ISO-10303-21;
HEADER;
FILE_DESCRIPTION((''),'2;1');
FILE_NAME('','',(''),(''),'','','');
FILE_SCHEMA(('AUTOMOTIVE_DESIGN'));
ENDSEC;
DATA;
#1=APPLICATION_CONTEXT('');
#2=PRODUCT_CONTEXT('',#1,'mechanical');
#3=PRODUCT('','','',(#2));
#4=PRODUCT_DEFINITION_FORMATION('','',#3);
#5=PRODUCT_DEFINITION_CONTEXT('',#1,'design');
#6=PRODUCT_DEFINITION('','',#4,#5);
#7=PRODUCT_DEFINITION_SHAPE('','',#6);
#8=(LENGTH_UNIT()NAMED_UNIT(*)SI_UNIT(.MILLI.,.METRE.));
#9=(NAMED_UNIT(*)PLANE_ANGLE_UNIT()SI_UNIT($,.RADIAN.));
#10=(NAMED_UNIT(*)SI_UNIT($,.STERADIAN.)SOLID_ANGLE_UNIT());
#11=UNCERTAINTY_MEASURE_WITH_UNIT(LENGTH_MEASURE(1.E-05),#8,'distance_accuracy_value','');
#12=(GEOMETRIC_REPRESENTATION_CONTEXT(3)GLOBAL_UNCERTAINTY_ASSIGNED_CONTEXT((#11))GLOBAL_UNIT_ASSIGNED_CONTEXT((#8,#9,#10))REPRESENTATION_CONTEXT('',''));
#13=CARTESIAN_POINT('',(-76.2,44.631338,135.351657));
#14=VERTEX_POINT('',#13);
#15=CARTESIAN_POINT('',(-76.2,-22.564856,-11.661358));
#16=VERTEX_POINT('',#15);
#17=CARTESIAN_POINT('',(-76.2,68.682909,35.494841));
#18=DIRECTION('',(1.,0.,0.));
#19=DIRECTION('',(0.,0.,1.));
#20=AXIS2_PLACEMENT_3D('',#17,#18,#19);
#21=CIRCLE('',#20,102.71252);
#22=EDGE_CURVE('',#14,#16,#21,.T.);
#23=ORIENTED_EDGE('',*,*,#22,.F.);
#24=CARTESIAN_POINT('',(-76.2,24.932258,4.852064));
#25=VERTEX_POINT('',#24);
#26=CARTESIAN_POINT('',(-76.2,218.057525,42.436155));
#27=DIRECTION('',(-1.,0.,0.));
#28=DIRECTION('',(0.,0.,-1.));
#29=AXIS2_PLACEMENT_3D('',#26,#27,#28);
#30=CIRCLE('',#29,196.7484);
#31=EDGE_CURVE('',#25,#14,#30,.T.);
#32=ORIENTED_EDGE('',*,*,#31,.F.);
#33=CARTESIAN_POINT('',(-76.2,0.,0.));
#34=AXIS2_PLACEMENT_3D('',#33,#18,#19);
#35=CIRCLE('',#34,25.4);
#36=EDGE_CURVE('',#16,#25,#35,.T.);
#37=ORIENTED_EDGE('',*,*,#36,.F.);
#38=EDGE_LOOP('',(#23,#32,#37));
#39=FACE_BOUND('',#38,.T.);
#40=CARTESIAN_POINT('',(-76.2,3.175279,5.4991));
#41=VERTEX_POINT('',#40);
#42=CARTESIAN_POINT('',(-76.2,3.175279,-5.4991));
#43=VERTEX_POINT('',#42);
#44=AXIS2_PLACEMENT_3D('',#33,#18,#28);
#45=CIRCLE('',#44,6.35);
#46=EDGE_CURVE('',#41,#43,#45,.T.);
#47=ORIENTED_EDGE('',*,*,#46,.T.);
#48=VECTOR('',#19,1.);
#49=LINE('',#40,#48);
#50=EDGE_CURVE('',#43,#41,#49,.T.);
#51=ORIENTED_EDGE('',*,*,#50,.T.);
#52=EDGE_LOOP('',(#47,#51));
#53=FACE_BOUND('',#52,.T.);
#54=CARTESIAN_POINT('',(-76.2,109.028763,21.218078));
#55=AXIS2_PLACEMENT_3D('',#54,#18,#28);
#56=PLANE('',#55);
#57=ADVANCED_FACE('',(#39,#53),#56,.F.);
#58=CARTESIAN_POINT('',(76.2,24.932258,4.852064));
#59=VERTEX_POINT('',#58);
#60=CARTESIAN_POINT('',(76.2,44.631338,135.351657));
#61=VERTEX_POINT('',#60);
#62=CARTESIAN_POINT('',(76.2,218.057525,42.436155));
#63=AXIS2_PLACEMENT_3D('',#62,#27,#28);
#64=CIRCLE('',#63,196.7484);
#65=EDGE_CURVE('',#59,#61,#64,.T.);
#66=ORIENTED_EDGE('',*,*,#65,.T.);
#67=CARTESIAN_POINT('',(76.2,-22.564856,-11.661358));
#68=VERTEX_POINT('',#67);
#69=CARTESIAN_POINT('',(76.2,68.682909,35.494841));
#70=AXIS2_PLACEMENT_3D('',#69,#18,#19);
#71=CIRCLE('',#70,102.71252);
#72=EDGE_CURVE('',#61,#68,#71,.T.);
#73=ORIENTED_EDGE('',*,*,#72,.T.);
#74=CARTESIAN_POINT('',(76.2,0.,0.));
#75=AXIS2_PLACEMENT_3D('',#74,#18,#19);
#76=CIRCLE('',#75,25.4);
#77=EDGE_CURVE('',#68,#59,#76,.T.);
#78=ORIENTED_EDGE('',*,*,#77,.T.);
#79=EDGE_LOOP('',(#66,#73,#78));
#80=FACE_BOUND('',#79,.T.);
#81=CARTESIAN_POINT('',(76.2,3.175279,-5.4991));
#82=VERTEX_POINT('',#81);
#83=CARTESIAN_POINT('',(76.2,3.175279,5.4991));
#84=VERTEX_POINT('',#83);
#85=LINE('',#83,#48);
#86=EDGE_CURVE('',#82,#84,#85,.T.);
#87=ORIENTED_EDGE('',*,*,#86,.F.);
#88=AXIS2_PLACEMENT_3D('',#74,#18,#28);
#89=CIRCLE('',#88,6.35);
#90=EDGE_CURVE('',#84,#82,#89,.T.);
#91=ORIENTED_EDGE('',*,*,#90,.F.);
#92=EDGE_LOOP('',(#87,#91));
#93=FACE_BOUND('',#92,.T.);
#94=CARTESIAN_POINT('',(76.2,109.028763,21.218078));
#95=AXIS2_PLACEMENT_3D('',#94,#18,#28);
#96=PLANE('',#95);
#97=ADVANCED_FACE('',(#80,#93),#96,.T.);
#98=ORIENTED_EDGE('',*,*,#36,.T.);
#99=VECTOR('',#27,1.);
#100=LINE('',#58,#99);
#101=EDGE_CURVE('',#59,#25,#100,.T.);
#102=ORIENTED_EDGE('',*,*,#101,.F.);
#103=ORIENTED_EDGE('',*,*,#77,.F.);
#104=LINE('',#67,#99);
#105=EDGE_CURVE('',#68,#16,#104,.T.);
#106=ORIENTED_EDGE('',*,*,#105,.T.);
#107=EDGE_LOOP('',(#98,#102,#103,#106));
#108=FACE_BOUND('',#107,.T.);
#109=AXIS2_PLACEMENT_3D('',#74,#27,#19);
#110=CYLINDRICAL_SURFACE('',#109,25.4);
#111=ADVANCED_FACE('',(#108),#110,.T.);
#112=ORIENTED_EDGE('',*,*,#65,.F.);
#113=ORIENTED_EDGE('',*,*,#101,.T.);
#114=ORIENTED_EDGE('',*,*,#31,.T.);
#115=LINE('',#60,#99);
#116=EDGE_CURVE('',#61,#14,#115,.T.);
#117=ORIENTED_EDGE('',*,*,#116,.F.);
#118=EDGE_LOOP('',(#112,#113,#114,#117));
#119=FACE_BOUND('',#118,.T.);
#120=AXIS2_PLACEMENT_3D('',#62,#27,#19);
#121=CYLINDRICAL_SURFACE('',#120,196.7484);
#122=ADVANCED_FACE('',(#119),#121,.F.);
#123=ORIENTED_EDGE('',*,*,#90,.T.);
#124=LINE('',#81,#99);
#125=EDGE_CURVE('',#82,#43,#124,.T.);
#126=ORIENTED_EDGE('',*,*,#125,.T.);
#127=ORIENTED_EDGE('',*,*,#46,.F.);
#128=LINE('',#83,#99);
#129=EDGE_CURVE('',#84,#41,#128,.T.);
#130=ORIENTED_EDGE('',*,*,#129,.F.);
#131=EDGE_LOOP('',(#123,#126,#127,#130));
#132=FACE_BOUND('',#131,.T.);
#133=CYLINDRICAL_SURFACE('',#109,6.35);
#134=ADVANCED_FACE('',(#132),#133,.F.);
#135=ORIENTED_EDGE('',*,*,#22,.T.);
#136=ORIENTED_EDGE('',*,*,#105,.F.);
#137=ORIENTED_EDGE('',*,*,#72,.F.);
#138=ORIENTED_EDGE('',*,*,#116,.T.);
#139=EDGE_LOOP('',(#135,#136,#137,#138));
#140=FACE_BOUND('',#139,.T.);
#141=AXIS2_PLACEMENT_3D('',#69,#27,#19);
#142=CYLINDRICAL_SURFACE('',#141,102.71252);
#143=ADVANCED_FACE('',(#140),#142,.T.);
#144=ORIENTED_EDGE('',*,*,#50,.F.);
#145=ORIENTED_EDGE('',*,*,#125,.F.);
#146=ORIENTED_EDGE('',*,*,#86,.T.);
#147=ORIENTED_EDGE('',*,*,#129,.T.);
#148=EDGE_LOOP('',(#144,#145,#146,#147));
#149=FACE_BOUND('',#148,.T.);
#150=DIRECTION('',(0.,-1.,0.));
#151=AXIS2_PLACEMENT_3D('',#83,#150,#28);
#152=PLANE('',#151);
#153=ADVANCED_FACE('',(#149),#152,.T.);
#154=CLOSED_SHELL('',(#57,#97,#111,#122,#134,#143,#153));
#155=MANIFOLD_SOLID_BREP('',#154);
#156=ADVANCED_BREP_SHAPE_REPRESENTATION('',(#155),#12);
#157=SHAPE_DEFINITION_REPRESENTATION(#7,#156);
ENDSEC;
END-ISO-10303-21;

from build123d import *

# Parameters (mm, degrees)
BOSS_EXTRUDE1_DEPTH = 76.2


with BuildPart() as part:
    # Sketch1 → Boss-Extrude1 (new, symmetric)
    with BuildSketch(Plane(origin=(0, 0, 0), x_dir=(0, 0, -1), z_dir=(1, 0, 0))):
        with BuildLine():
            ThreePointArc((-4.852064404, 24.93225764), (23.991364551, 8.341128638), (11.661357948, -22.5648561))
            ThreePointArc((11.661357948, -22.5648561), (-78.193446496, -24.733850104), (-135.351657349, 44.631338202))
            ThreePointArc((-135.351657349, 44.631338202), (-71.80288322, 23.513113441), (-4.852064404, 24.93225764))
        make_face()
        with BuildLine():
            Line((-5.4991, 3.175279388), (5.4991, 3.175279388))
            ThreePointArc((5.4991, 3.175279388), (0, -6.35), (-5.4991, 3.175279388))
        make_face(mode=Mode.SUBTRACT)
    extrude(amount=BOSS_EXTRUDE1_DEPTH, both=True)


solid = part.part
